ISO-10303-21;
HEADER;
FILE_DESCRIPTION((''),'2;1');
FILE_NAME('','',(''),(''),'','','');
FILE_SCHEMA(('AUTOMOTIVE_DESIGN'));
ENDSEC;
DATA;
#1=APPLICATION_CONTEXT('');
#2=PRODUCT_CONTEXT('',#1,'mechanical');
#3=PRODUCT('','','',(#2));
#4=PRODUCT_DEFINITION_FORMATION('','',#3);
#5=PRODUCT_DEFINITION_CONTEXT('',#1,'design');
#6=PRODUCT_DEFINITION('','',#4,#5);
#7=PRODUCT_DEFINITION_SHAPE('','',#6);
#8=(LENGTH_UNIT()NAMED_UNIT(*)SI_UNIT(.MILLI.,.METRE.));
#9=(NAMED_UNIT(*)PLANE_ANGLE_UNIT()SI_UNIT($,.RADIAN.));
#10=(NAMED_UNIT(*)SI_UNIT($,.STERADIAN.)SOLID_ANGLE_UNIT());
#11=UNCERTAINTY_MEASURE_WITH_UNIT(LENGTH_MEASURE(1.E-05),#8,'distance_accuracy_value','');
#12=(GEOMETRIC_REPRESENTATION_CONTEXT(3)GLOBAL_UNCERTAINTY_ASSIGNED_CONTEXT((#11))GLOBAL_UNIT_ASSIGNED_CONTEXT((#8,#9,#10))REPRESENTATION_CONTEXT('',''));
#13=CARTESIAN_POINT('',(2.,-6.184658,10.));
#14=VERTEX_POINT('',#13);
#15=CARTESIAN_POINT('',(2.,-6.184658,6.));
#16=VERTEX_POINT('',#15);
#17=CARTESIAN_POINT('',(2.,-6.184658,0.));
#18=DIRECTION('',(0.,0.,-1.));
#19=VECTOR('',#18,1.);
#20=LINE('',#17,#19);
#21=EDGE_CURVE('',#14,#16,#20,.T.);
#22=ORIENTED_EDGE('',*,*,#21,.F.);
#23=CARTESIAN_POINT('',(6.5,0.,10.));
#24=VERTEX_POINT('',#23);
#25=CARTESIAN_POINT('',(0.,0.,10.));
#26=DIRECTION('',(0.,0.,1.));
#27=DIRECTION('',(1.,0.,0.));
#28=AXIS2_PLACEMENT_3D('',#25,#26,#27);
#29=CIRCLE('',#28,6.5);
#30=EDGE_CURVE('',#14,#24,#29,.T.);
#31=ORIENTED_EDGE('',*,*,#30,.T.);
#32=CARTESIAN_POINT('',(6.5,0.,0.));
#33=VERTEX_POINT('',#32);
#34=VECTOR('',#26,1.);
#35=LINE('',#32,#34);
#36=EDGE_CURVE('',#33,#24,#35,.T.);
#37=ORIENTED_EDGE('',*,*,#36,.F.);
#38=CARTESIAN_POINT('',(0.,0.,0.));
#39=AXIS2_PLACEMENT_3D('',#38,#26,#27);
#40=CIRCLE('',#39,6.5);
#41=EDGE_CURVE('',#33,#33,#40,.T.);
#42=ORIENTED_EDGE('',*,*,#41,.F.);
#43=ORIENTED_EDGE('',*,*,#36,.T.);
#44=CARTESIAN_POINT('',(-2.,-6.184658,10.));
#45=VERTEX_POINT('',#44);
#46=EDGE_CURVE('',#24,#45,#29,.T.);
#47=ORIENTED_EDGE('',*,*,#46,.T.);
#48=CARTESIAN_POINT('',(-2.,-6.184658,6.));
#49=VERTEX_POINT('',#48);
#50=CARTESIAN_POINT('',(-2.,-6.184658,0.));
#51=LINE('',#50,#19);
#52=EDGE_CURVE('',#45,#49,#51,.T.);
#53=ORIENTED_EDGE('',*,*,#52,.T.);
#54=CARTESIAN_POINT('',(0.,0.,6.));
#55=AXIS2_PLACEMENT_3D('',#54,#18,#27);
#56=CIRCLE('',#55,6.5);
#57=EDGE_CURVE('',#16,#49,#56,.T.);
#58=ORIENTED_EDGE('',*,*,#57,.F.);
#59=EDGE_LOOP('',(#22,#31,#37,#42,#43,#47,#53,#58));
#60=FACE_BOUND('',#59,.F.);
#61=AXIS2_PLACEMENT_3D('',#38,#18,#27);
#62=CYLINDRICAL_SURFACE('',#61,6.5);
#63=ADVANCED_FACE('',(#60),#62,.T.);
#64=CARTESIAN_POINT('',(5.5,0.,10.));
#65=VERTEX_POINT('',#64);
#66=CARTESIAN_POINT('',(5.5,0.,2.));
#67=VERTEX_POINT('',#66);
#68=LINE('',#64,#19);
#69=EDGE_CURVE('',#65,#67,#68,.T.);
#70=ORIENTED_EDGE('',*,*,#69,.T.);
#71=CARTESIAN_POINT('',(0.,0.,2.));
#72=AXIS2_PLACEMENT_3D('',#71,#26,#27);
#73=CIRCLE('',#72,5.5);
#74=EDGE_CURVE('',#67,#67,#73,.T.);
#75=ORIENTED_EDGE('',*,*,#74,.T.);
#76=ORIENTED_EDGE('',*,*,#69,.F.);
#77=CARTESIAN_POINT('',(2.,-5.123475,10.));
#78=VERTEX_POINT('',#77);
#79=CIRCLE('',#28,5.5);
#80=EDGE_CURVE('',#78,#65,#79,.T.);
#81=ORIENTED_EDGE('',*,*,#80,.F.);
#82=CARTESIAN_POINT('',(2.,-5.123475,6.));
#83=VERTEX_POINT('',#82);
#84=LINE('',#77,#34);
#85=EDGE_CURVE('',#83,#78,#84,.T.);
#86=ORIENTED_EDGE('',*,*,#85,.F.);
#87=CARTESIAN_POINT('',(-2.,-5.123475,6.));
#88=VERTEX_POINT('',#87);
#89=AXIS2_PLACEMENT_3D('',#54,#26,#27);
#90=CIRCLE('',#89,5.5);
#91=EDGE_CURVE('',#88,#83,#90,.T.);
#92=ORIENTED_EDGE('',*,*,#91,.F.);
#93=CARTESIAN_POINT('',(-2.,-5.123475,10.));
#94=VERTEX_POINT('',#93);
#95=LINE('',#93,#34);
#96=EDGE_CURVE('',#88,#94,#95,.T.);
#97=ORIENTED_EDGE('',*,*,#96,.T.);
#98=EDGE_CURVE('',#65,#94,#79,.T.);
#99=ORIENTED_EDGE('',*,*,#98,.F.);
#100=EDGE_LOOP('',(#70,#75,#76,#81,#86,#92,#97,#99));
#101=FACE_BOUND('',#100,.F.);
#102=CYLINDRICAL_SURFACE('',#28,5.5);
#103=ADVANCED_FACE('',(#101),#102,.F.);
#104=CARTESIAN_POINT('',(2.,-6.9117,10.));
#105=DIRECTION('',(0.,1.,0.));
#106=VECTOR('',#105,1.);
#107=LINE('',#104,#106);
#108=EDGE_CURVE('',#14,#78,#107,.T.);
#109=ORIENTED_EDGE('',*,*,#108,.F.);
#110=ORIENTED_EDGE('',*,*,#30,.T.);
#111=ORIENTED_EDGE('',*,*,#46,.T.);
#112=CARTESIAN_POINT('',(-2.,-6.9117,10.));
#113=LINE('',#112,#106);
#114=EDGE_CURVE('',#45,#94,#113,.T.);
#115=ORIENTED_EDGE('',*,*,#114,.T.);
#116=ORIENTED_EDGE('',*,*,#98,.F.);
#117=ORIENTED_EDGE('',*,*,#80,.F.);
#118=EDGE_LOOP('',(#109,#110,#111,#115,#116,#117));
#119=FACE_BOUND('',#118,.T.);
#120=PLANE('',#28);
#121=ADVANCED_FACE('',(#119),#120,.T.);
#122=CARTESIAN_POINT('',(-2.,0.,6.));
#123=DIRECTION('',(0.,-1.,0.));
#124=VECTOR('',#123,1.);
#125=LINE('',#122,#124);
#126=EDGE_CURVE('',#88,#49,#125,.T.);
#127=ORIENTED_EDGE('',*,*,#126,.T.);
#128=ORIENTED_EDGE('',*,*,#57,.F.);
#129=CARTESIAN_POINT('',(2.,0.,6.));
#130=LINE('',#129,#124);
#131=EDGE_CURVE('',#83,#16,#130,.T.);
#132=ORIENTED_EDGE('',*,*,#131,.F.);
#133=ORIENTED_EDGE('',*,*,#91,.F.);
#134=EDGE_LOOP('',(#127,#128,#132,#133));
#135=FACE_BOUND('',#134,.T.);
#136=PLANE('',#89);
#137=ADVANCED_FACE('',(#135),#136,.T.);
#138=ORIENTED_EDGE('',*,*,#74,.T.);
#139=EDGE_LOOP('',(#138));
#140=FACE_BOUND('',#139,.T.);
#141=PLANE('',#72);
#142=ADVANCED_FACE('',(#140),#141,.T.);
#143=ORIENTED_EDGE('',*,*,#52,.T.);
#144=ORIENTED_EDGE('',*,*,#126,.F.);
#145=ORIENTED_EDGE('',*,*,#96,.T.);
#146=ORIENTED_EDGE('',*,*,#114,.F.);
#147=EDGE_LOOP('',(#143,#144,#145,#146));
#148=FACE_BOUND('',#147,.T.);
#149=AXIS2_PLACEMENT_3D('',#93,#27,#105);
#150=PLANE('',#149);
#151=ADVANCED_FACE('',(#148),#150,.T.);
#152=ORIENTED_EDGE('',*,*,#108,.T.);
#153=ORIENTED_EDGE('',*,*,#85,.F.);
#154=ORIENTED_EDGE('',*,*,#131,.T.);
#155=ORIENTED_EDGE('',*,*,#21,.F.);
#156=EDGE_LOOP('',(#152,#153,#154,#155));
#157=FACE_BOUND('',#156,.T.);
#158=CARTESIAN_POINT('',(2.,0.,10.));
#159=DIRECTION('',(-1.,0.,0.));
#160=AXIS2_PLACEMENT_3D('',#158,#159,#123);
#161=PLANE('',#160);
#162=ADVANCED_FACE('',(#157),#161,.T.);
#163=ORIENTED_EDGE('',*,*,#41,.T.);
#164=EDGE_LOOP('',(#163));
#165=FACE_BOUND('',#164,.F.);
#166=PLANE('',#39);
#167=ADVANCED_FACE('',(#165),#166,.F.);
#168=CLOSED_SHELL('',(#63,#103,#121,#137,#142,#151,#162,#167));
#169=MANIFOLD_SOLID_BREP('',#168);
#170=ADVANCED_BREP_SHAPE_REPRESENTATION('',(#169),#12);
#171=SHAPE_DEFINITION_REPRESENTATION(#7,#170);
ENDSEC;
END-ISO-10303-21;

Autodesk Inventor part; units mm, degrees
ref_plane "YZ Plane" through (0, 0, 0) normal (1, 0, 0) x (0, 1, 0)
ref_plane "XZ Plane" through (0, 0, 0) normal (0, 1, 0) x (-1, 0, 0)
ref_plane "XY Plane" through (0, 0, 0) normal (0, 0, 1) x (1, 0, 0)
sketch "Sketch1" plane through (0, 0, 0) normal (0, 0, 1) x (1, 0, 0)
  circle A0 centre (0, 0) radius 6.5
  dimension "d0" = 13
extrude "Extrusion1" add sketch "Sketch1" along normal blind 10
sketch "Sketch2" plane through (0, 0, 10) normal (0, 0, 1) x (1, 0, 0)
  circle A0 centre (0, 0) radius 5.5
  dimension "d3" = 11
extrude "Extrusion2" cut sketch "Sketch2" against normal blind 8
sketch "Sketch3" plane through (0, 0, 10) normal (0, 0, 1) x (1, 0, 0)
  circle A0 centre (0, 0) radius 5.5 projected
  circle A1 centre (0, 0) radius 6.5 projected
  line L0 (-2, 0) -> (2, 0)
  line L1 (2, 0) -> (2, -6.9117)
  line L2 (2, -6.9117) -> (-2, -6.9117)
  line L3 (-2, -6.9117) -> (-2, 0)
  dimension "d6" = 4
extrude "Extrusion3" cut sketch "Sketch3" against normal blind 4 contours L3 L0 L1 A0 | A0 L1 A1 L3 | A1 L1 L2 L3 picked at (0.2269, -1.8192) picked at (-1.5602, -5.5886)
properties part number "capuchon.torre"
